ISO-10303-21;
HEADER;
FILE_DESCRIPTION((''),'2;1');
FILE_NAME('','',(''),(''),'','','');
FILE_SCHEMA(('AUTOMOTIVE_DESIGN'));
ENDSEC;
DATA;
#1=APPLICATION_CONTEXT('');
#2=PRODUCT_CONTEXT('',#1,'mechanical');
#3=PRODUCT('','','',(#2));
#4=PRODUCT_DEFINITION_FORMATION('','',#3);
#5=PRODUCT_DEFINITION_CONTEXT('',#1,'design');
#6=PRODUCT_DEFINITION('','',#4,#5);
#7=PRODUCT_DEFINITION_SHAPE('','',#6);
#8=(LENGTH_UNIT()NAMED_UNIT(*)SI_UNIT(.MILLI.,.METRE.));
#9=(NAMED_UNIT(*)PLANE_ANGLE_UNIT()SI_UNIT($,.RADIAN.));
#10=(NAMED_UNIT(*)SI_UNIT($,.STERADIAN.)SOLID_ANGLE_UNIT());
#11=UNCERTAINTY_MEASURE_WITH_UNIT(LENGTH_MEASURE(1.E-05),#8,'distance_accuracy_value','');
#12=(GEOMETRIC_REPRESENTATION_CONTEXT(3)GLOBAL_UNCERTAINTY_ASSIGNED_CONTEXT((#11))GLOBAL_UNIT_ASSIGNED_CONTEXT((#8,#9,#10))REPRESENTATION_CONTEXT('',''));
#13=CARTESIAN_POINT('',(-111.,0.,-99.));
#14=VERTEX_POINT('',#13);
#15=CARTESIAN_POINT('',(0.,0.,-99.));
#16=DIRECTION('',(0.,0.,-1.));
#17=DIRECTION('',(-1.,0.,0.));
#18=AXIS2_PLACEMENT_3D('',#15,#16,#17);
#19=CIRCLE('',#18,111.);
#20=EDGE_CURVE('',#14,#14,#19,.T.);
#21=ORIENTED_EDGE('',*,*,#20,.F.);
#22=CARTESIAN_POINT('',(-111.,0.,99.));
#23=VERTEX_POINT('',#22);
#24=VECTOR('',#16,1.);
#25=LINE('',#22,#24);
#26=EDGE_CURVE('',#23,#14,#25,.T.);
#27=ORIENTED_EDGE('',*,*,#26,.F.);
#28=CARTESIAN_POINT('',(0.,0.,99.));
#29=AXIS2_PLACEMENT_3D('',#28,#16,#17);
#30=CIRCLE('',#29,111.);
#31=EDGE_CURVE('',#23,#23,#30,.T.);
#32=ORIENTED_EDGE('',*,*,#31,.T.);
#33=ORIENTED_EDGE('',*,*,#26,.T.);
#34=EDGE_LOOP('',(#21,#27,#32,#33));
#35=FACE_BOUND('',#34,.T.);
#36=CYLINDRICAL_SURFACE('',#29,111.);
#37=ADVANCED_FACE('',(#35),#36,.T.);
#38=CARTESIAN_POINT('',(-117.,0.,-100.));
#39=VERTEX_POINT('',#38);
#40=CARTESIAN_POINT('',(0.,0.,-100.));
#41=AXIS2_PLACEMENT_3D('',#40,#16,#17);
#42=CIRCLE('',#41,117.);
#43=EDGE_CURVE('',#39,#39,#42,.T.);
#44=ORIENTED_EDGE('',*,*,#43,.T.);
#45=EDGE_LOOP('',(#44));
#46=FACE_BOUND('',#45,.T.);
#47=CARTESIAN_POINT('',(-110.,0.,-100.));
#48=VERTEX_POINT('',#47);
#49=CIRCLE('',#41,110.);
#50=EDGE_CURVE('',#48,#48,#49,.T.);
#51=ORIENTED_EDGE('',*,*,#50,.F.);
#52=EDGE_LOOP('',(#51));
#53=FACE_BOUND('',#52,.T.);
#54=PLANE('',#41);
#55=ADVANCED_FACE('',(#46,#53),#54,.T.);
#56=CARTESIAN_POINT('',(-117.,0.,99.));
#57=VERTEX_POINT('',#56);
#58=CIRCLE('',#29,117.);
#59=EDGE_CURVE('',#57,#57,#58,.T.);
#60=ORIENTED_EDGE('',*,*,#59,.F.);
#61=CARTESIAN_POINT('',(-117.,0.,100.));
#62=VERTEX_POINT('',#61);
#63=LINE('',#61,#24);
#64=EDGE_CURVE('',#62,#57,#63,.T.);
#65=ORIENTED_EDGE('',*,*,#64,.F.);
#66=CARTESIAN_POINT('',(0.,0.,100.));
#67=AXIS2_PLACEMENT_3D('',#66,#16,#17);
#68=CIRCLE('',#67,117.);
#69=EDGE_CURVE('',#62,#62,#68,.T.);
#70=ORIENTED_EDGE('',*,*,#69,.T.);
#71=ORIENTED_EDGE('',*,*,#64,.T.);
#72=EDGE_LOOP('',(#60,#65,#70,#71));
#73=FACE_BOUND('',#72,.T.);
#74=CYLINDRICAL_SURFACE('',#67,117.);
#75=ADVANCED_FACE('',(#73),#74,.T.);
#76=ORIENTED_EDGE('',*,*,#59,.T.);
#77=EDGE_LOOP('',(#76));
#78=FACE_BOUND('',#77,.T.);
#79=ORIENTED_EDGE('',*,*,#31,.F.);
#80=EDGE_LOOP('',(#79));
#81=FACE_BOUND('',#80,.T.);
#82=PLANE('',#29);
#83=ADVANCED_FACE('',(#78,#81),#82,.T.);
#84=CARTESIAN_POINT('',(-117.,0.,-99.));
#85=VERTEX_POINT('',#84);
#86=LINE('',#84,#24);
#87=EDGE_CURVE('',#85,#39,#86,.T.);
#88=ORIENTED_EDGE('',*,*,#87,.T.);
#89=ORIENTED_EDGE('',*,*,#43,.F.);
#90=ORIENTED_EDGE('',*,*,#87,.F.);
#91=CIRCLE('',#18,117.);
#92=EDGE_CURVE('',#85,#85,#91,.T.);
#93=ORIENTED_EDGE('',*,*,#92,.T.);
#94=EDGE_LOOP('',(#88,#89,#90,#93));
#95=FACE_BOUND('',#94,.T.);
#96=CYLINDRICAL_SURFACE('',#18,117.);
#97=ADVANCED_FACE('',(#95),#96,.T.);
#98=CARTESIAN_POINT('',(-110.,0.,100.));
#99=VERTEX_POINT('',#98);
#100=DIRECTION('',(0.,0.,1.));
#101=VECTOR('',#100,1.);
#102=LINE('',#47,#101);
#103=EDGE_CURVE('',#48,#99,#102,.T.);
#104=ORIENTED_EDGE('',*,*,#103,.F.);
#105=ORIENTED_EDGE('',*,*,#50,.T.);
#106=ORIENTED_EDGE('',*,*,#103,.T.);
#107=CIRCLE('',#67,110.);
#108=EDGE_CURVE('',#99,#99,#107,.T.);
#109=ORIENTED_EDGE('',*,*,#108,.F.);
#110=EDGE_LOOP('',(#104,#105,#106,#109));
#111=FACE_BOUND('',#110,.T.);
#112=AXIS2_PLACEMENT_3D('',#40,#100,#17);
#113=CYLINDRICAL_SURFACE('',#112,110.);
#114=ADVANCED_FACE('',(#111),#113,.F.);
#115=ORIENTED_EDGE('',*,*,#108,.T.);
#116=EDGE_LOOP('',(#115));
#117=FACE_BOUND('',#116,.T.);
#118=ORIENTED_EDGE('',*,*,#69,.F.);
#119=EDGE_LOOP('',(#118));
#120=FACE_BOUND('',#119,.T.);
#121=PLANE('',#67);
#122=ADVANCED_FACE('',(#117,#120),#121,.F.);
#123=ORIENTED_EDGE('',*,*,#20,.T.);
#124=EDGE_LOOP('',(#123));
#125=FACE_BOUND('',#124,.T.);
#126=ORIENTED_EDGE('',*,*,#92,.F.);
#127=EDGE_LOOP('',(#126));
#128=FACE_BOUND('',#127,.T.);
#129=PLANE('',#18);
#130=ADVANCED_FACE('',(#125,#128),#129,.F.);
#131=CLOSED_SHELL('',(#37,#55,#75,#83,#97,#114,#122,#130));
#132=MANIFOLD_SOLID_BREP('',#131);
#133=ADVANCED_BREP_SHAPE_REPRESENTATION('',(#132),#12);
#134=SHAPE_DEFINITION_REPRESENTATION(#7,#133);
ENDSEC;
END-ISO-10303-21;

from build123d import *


with BuildPart() as f1:
    # F0 (on Front) → F1 (revolve)
    with BuildSketch(Plane.XZ):
        Polygon((-110, 0), (-110, 100), (-117, 100), (-117, 99), (-111, 99), (-111, 0), align=None)
        Polygon((-110, -100), (-110, 0), (-111, 0), (-111, -99), (-117, -99), (-117, -100), align=None)
    revolve(axis=Axis((0, 0, 50), (0, 0, -1)))


solid = f1.part
